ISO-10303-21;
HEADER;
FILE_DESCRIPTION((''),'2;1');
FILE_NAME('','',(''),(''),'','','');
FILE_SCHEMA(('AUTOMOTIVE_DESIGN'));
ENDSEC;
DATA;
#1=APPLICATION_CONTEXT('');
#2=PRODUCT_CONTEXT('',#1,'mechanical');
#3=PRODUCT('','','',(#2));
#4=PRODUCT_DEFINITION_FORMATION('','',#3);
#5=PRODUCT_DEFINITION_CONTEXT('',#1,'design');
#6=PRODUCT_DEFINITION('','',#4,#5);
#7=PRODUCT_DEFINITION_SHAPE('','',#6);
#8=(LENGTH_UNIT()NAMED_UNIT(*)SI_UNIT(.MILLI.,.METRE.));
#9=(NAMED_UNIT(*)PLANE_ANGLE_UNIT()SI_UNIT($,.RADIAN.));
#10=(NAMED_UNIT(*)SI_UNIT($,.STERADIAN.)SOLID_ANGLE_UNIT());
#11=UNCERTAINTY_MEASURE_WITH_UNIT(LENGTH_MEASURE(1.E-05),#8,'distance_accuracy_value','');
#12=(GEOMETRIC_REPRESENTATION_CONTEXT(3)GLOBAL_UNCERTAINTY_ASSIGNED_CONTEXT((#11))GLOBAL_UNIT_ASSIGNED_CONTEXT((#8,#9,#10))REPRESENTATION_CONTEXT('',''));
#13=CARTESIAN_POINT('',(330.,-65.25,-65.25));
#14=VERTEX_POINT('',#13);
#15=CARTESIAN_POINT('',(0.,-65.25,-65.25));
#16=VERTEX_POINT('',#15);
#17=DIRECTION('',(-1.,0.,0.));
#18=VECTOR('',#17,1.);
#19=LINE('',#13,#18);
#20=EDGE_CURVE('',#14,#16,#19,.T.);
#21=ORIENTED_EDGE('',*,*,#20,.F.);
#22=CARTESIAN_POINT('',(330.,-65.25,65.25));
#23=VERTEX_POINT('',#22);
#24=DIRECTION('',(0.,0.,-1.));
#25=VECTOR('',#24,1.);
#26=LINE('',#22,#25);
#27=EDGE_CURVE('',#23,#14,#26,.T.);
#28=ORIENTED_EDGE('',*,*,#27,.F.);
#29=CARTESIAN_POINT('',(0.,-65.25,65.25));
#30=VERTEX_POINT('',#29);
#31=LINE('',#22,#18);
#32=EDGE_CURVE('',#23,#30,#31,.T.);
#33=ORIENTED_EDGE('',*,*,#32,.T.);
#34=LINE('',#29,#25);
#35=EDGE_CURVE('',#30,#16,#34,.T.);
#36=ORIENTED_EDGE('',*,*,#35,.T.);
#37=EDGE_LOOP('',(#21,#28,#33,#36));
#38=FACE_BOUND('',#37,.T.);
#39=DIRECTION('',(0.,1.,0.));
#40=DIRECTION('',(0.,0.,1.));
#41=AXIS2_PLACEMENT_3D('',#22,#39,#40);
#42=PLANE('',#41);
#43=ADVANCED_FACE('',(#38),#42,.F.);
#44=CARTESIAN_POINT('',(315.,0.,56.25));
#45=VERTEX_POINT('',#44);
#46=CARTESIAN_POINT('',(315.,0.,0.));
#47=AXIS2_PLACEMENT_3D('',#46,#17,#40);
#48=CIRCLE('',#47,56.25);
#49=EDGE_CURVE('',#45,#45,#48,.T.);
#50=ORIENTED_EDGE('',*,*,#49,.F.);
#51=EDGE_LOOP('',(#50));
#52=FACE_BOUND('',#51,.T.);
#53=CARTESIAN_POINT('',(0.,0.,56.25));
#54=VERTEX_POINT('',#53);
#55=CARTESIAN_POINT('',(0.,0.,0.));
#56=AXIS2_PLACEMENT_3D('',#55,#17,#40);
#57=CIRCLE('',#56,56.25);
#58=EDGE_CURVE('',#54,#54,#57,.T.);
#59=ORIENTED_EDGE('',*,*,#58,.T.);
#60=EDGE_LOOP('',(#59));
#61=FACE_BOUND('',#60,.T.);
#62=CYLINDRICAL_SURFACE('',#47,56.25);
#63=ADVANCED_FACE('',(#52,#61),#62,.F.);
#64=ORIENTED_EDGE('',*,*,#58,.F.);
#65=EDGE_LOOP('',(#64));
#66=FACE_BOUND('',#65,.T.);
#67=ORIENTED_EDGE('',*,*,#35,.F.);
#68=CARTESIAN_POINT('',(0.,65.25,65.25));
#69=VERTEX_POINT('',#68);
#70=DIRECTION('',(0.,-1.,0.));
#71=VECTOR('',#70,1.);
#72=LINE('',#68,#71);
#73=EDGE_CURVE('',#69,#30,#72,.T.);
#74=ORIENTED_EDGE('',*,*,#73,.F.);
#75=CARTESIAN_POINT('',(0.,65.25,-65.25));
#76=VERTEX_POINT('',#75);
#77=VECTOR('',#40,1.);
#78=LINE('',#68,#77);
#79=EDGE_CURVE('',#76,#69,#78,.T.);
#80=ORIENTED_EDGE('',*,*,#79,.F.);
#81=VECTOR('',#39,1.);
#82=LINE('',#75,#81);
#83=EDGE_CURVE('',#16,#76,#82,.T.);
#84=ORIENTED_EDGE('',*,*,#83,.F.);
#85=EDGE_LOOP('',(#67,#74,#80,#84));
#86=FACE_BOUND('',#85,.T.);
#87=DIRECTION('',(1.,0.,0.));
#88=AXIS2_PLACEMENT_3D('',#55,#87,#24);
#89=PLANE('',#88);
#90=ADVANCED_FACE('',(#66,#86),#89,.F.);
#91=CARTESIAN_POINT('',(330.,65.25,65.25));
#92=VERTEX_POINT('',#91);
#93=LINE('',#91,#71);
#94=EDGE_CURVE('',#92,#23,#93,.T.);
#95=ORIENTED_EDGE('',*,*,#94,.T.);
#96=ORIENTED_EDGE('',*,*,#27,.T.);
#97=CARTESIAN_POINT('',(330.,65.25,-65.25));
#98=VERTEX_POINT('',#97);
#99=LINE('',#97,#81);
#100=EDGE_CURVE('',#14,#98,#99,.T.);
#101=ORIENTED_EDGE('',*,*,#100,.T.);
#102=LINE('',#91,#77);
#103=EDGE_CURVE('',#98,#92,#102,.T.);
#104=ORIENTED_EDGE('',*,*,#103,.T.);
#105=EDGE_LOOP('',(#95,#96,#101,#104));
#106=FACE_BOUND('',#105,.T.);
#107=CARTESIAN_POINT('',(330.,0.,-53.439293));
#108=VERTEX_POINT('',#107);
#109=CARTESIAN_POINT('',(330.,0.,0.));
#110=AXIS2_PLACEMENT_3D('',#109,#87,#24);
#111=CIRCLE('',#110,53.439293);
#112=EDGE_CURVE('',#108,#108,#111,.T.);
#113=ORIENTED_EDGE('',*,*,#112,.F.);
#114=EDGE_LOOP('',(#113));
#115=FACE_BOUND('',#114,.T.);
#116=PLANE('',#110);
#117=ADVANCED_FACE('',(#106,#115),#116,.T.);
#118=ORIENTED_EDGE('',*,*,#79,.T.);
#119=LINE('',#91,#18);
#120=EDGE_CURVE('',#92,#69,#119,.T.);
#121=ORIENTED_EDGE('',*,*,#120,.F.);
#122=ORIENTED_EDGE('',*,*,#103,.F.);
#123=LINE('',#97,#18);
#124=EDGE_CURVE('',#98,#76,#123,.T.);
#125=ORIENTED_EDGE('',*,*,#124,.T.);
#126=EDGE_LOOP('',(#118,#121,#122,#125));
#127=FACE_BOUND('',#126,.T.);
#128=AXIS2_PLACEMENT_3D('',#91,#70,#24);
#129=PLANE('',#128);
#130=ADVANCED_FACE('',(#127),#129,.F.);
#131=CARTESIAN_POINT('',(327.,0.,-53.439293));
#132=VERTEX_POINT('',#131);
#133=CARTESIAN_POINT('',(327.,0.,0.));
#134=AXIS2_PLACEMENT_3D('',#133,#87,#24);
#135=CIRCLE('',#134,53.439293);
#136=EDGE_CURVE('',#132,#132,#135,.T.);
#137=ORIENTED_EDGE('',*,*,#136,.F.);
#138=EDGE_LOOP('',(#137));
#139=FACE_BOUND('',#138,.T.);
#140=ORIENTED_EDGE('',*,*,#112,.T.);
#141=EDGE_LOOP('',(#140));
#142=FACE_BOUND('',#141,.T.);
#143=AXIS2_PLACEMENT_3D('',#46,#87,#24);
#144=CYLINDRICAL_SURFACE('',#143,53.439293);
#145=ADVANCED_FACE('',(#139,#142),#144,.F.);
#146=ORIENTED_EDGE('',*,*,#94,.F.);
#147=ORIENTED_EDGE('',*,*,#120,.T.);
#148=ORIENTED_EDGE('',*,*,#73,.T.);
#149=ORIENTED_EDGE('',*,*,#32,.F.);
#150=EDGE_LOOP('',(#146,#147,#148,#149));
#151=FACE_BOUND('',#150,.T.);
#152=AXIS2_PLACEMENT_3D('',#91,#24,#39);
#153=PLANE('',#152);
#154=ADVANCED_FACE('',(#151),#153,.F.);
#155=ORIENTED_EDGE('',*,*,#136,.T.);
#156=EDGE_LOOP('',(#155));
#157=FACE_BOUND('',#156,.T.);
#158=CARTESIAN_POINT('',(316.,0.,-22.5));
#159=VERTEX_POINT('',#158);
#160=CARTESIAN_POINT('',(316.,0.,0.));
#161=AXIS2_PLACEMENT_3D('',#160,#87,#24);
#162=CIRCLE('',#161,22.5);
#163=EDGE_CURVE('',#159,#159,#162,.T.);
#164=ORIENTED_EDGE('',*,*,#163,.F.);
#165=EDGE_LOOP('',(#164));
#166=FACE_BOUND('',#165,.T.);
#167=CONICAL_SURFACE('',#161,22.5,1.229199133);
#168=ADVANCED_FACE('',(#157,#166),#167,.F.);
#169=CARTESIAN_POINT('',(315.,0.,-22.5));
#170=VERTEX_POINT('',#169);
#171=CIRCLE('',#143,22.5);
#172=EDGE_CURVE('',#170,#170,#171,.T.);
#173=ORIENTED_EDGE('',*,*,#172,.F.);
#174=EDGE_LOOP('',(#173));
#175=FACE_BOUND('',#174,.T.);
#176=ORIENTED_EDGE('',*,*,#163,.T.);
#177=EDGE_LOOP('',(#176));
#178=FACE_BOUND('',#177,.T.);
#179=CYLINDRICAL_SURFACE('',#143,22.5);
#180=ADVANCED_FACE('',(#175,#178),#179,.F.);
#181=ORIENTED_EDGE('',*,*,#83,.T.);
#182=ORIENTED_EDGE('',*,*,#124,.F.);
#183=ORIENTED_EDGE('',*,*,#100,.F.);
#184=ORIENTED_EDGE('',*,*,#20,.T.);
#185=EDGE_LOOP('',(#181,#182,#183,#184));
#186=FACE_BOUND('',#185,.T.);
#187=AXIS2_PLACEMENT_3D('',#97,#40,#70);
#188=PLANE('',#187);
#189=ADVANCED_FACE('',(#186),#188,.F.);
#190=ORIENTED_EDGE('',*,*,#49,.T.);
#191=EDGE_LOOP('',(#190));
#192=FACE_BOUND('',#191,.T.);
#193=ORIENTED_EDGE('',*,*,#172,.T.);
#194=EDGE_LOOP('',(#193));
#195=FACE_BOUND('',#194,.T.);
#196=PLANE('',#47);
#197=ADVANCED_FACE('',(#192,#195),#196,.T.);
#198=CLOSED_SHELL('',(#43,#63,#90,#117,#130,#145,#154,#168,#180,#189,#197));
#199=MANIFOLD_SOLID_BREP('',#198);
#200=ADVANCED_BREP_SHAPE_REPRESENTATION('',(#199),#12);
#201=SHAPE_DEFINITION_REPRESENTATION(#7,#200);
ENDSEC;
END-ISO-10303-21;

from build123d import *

# Parameters (mm, degrees)
SKETCH_1_W          = 130.5
SKETCH_1_H          = 130.5
EXTRUDE_1_DEPTH     = 330
SKETCH_8_R          = 56.25
CUT_EXTRUDE_2_DEPTH = 315


with BuildPart() as part:
    # 草图1 → 凸台-拉伸1 (new body)
    with BuildSketch(Plane(origin=(0, 0, 0), x_dir=(0, 0, -1), z_dir=(1, 0, 0))):
        Rectangle(SKETCH_1_W, SKETCH_1_H)
    extrude(amount=EXTRUDE_1_DEPTH)

    # 草图8 → 切除-拉伸2 (cut)
    with BuildSketch(Plane.ZY):
        Circle(SKETCH_8_R)
    extrude(amount=-CUT_EXTRUDE_2_DEPTH, mode=Mode.SUBTRACT)

    # 草图26 → 切除-旋转3 (revolve, cut)
    with BuildSketch(Plane(origin=(0, 0, 0), x_dir=(-1, 0, 0), z_dir=(0, 0, -1))):
        Polygon((-315, 0), (-315, 22.5), (-316, 22.5), (-327, 53.439293368), (-330, 53.439293368), (-330, 0), align=None)
    revolve(axis=Axis((315, 0, 0), (-1, 0, 0)), mode=Mode.SUBTRACT)


solid = part.part
